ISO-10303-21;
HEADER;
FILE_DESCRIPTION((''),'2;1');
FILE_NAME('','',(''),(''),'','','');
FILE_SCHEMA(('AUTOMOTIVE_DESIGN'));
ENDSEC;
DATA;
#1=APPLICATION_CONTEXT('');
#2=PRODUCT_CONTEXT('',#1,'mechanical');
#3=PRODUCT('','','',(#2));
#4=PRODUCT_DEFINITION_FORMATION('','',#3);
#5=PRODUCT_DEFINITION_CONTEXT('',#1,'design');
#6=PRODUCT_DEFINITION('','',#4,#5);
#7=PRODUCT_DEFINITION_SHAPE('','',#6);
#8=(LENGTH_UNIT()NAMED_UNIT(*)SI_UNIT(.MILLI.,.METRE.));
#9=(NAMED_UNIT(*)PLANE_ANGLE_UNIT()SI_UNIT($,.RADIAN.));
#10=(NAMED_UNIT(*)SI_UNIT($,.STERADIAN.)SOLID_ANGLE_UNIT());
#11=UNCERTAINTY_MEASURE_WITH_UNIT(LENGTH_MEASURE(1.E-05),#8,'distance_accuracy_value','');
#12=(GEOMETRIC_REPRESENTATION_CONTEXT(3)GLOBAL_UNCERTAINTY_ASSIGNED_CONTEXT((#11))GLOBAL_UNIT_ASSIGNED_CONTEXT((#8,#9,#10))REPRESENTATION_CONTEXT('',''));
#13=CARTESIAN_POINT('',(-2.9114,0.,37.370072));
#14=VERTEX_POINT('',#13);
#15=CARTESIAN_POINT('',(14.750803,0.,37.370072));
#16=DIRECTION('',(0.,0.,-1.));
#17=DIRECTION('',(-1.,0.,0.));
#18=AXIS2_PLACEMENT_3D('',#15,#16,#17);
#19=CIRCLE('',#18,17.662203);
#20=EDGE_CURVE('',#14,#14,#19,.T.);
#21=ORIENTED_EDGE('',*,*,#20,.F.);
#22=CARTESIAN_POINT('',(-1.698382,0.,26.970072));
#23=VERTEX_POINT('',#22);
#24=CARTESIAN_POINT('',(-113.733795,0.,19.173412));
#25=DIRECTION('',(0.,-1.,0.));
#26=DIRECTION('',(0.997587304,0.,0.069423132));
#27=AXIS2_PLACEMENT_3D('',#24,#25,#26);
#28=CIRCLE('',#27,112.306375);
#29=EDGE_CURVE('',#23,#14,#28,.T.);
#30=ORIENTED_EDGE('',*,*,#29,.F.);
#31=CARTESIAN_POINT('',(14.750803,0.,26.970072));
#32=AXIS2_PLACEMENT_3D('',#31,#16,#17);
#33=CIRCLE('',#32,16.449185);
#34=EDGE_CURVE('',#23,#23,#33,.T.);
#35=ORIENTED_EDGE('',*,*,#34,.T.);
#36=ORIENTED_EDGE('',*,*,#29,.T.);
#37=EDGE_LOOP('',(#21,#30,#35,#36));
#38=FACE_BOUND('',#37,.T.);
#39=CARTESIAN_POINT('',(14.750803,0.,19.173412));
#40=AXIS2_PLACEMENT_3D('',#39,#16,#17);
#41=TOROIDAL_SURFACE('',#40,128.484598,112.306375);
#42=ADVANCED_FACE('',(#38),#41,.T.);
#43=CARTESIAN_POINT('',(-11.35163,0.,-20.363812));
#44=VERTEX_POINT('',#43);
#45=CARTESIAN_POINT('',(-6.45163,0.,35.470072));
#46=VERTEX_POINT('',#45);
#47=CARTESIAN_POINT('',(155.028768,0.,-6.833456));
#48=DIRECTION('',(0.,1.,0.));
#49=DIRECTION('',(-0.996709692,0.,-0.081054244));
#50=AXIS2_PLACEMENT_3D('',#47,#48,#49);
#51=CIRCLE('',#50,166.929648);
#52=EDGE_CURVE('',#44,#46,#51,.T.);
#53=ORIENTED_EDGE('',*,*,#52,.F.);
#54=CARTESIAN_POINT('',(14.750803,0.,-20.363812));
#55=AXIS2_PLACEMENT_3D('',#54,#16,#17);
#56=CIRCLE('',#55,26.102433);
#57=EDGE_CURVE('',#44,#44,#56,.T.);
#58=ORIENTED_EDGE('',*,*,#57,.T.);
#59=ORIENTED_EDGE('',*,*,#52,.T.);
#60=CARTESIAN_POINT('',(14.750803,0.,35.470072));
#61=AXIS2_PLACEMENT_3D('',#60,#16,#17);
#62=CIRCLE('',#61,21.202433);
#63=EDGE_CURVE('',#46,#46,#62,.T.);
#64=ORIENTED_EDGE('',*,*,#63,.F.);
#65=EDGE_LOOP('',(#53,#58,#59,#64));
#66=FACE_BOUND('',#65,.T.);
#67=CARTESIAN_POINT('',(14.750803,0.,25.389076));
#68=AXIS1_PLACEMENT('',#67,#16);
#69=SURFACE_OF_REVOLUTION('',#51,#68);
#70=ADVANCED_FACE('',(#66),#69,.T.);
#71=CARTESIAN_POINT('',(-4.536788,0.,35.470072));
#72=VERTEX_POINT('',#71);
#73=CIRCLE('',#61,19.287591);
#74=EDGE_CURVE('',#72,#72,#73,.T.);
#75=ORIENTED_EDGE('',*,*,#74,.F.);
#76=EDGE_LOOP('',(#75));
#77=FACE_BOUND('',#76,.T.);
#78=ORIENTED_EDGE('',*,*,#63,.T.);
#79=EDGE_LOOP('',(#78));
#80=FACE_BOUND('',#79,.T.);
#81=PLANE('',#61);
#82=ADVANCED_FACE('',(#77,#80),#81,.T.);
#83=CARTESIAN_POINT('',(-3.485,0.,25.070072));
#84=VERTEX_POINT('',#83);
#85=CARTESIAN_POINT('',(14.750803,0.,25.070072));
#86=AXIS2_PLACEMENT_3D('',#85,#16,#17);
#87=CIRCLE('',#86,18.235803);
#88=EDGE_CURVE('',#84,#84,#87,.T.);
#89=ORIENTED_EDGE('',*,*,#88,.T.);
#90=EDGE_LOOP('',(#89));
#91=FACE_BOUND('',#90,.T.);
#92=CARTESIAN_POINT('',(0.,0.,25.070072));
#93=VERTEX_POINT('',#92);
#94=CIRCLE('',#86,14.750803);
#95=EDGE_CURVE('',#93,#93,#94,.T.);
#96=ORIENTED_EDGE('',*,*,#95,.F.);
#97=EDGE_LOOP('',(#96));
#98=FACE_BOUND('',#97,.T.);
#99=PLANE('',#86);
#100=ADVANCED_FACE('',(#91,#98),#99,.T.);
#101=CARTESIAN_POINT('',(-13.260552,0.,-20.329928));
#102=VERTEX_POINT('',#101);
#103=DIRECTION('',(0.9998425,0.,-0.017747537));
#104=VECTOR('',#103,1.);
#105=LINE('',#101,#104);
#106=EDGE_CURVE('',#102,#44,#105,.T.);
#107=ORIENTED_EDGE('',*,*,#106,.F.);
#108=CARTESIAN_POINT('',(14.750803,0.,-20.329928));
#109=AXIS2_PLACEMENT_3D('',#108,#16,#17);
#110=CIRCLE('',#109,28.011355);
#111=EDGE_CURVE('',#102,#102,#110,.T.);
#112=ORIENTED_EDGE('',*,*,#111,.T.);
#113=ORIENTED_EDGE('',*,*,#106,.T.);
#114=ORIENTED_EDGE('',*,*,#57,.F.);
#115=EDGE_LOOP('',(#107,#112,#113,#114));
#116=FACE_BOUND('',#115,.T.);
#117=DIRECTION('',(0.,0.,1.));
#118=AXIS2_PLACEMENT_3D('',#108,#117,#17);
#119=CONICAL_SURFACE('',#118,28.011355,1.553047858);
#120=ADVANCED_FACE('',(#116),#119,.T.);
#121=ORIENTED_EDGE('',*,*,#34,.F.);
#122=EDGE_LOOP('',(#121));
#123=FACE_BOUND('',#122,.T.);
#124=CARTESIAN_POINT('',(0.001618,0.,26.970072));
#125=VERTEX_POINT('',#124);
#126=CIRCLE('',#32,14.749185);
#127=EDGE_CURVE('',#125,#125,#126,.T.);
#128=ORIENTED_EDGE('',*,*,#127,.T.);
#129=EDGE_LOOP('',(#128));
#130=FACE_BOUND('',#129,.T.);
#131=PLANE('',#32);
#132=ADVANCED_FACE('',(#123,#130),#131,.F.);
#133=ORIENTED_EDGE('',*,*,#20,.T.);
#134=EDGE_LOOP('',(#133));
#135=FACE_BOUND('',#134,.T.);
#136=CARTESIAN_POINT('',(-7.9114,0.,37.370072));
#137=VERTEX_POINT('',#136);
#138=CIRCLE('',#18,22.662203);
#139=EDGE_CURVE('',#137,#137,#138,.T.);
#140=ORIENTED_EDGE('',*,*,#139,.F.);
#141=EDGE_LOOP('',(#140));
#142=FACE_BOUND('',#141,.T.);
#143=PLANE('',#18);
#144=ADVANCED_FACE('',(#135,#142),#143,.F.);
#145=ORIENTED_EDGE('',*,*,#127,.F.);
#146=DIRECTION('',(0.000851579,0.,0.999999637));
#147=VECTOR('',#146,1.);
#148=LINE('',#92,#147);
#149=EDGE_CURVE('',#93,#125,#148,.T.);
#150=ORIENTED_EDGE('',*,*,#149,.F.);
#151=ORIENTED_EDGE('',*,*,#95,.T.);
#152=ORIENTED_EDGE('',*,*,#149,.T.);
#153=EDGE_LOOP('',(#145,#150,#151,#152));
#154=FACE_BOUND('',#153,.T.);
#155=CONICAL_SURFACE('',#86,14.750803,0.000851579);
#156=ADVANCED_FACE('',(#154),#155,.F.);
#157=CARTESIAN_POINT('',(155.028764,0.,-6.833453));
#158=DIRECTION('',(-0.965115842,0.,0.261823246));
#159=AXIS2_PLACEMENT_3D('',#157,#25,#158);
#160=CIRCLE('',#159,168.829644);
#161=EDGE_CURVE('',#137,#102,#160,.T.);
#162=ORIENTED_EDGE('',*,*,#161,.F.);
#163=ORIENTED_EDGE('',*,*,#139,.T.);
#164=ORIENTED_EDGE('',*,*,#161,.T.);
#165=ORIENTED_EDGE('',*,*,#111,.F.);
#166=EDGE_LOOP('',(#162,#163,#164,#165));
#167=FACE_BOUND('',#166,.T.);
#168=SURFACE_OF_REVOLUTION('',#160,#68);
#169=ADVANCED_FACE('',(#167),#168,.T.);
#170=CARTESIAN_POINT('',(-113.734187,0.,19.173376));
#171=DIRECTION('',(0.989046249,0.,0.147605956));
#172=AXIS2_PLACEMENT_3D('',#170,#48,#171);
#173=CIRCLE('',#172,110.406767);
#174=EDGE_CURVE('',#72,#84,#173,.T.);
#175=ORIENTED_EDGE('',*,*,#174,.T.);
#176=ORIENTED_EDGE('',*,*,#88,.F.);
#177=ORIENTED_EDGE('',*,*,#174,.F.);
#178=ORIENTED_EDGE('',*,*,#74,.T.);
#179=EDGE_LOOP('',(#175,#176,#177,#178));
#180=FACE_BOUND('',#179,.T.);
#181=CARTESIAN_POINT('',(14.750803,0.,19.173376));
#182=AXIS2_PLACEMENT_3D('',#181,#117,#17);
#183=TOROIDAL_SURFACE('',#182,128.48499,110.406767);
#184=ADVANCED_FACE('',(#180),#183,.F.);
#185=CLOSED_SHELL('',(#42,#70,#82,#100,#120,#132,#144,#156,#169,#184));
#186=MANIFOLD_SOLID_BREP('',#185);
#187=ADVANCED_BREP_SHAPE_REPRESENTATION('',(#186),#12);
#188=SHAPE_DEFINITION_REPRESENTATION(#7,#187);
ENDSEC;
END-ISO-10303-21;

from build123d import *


with BuildPart() as f1:
    # F0 (on Front) → F1 (revolve)
    with BuildSketch(Plane.XZ):
        with BuildLine():
            Line((-6.45163, 35.470072), (-4.536788, 35.470072))
            ThreePointArc((-4.536788, 35.470072), (-3.887744, 30.282526), (-3.485, 25.070072))
            Line((-3.485, 25.070072), (0, 25.070072))
            Line((0, 25.070072), (0.000809, 26.020072))
            Line((0.000809, 26.020072), (0.001618, 26.970072))
            Line((0.001618, 26.970072), (-1.698382, 26.970072))
            ThreePointArc((-1.698382, 26.970072), (-2.183624, 32.184216), (-2.9114, 37.370072))
            Line((-2.9114, 37.370072), (-7.9114, 37.370072))
            ThreePointArc((-7.9114, 37.370072), (-13.080024, 8.751286), (-13.260552, -20.329928))
            Line((-13.260552, -20.329928), (-11.35163, -20.363812))
            ThreePointArc((-11.35163, -20.363812), (-11.261734, 7.760253), (-6.45163, 35.470072))
        make_face()
    revolve(axis=Axis((14.750803, 0, 25.389076), (0, 0, -1)))


solid = f1.part
